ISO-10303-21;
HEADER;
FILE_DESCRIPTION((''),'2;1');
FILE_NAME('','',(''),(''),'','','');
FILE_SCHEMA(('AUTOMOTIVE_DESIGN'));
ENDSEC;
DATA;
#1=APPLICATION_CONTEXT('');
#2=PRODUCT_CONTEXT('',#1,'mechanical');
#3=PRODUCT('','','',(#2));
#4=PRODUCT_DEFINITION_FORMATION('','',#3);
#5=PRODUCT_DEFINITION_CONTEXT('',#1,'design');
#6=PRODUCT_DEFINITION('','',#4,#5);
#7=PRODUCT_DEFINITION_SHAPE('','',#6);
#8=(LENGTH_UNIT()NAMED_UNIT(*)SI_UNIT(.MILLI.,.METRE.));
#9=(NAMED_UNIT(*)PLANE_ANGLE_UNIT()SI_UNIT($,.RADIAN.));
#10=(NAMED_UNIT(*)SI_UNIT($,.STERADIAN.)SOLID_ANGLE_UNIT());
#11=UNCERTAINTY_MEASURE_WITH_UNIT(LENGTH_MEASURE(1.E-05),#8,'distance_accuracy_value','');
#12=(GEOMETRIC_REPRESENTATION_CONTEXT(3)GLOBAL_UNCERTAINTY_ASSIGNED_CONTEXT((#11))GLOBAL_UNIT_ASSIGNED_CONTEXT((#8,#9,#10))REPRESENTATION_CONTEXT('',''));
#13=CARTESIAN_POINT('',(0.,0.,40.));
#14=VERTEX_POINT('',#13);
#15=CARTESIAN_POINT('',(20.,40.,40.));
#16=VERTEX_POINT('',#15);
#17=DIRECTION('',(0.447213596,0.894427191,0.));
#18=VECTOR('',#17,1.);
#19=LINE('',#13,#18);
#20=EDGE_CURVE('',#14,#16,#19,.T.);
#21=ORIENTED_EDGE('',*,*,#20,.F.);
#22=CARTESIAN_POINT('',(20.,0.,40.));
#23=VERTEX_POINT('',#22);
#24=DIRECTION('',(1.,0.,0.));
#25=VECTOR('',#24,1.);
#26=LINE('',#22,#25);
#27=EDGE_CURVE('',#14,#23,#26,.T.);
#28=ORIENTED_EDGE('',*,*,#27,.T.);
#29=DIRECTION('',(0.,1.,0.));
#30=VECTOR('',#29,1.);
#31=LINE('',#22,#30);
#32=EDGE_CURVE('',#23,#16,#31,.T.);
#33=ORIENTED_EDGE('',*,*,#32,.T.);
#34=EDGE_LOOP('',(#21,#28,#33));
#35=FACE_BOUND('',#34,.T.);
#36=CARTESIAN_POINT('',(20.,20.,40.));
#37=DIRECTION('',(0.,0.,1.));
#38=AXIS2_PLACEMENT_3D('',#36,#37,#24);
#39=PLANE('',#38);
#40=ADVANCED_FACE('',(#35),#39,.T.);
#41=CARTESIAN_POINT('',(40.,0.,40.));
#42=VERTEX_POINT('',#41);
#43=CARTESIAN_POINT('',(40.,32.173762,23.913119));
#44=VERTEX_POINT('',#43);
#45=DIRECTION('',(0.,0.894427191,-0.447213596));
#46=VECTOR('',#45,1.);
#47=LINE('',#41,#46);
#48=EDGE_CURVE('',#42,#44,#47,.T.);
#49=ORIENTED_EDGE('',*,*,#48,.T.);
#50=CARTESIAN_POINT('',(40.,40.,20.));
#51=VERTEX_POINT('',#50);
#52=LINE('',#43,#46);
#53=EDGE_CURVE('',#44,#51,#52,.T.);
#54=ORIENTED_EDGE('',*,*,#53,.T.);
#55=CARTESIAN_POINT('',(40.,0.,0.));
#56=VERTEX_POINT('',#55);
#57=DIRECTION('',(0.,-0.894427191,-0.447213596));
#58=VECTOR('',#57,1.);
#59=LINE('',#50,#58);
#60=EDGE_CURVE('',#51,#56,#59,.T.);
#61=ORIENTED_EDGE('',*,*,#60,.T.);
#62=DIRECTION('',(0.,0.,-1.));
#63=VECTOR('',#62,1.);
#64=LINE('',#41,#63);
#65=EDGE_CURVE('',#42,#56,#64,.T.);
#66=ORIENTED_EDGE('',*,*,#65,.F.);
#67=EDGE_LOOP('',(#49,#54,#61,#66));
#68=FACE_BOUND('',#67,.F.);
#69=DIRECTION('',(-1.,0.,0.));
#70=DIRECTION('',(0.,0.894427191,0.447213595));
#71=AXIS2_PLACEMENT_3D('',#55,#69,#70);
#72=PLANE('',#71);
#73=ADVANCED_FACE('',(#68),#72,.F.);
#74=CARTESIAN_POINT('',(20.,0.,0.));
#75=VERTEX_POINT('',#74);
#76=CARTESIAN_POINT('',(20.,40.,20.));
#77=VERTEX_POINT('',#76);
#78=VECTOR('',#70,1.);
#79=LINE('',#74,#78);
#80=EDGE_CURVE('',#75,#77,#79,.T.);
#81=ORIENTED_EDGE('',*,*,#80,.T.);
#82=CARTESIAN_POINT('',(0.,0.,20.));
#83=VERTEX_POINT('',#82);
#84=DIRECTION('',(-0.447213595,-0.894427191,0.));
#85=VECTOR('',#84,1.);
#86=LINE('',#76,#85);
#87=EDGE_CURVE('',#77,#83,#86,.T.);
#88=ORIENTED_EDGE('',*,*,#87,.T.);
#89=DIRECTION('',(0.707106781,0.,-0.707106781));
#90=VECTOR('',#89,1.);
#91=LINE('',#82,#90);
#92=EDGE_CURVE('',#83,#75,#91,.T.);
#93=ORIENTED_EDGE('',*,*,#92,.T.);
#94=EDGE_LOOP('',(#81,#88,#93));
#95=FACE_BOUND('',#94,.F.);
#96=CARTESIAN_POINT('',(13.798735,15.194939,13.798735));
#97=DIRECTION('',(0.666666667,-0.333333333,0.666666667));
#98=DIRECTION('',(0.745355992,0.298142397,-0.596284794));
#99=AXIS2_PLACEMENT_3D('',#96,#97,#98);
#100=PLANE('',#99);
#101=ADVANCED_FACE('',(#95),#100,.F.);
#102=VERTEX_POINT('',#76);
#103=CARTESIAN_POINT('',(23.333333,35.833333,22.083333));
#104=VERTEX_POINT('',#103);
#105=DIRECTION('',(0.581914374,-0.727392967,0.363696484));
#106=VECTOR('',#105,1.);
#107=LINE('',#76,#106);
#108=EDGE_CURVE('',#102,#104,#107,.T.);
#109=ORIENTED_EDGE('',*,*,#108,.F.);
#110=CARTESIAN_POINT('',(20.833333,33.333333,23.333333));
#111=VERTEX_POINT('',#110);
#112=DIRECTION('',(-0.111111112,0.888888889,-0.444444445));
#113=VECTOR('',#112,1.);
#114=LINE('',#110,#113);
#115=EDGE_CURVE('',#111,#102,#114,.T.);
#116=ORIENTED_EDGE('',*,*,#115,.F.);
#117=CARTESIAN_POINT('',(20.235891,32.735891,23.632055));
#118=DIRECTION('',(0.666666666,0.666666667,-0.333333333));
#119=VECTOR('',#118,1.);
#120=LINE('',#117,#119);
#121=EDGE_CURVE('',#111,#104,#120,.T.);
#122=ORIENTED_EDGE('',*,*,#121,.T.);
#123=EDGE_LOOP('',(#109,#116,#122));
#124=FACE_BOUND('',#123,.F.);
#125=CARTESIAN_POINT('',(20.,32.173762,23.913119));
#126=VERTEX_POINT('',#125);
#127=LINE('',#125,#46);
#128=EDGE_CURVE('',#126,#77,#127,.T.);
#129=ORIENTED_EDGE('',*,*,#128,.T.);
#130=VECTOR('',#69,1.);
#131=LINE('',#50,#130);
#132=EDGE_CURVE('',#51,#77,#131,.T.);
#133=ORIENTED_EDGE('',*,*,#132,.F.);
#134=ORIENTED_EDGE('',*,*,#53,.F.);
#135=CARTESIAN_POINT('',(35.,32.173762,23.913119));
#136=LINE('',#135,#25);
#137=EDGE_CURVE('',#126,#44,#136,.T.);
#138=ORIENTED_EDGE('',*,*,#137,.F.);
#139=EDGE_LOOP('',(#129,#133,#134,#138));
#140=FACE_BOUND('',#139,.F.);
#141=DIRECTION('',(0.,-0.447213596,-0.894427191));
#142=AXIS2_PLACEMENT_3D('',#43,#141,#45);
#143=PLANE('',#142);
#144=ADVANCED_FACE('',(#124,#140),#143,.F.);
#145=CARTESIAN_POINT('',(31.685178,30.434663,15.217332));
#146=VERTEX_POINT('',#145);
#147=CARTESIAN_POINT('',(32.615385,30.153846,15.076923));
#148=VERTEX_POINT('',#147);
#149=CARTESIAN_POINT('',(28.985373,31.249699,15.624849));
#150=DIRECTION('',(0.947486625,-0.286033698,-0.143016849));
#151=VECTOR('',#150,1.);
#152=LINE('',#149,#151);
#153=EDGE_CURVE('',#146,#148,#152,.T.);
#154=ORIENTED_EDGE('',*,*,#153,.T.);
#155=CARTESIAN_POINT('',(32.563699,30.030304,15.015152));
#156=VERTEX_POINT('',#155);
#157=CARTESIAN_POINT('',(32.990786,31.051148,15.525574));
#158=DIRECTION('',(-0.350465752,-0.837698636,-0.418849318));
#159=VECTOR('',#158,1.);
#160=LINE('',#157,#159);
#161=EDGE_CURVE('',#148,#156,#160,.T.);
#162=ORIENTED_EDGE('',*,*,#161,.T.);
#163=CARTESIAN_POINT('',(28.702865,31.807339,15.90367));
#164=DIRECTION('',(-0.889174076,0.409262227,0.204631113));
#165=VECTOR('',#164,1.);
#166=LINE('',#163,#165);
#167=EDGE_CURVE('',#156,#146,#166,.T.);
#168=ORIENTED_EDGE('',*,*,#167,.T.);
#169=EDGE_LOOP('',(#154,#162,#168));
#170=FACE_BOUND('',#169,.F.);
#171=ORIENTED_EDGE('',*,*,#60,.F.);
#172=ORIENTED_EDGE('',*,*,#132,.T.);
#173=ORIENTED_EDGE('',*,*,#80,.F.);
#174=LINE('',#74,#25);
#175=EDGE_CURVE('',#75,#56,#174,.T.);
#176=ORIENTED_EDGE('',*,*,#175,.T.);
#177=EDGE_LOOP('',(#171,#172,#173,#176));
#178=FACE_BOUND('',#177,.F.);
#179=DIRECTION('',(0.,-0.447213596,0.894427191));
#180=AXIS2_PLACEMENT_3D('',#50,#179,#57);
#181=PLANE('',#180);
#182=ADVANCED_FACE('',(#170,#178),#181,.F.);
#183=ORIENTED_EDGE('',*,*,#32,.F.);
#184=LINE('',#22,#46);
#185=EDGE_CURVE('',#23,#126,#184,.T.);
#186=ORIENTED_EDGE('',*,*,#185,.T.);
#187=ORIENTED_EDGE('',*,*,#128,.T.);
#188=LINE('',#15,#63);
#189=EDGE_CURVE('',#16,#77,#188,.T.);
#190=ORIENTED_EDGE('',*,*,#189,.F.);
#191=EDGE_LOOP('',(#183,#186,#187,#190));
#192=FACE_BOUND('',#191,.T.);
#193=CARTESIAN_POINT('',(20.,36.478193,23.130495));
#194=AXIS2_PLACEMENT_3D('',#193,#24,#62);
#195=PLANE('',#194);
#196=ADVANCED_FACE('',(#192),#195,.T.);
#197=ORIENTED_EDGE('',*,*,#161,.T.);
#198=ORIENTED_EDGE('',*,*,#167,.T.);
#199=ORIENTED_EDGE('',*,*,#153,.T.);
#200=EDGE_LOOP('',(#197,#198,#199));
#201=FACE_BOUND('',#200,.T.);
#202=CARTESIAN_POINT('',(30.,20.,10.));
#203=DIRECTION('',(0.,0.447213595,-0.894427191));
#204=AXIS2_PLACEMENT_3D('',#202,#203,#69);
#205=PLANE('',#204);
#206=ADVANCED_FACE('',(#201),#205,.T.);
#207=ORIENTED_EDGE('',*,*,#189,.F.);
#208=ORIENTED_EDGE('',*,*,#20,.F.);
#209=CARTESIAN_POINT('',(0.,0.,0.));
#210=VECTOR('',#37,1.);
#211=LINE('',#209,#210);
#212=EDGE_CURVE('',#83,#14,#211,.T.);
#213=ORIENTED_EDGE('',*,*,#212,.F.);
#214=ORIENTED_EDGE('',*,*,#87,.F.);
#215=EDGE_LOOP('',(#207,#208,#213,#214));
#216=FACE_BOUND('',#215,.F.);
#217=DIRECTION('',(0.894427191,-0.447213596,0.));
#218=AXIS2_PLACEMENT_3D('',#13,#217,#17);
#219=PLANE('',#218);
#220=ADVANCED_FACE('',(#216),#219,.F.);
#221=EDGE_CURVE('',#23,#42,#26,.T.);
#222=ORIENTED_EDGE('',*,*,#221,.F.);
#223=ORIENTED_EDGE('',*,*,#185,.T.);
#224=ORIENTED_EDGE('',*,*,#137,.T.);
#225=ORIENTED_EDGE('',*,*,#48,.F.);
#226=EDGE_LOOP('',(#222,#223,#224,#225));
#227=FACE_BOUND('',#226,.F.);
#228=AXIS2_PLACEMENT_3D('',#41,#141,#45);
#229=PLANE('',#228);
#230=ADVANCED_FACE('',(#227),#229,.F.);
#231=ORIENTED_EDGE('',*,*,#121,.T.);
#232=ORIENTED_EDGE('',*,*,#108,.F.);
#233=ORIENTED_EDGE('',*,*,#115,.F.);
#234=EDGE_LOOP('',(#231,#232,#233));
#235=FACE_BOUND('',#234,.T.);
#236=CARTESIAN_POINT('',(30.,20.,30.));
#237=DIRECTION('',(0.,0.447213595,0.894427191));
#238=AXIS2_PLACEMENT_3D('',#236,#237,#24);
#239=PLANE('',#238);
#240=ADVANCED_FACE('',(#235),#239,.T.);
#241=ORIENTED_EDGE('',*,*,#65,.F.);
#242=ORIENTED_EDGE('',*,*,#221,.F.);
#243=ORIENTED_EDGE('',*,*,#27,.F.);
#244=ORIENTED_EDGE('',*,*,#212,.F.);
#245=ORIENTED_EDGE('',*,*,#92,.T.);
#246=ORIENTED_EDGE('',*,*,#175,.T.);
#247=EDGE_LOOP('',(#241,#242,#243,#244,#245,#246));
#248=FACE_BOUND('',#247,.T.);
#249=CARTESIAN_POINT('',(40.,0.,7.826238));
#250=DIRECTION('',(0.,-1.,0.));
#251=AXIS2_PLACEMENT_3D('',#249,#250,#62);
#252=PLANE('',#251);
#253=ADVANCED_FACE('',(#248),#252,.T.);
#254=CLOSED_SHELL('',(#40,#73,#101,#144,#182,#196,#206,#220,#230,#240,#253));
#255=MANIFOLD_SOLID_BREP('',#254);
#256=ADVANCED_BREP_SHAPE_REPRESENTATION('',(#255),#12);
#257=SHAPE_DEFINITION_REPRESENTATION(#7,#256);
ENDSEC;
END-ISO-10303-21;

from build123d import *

# Parameters (mm, degrees)
SKETCH1_W           = 40
SKETCH1_H           = 40
BOSS_EXTRUDE1_DEPTH = 40
CUT_EXTRUDE1_DEPTH  = 40
CUT_EXTRUDE2_DEPTH  = 40
CUT_EXTRUDE5_DEPTH  = 20
CUT_EXTRUDE6_DEPTH  = 20
CUT_EXTRUDE7_DEPTH  = 20
CUT_EXTRUDE8_DEPTH  = 20
CUT_EXTRUDE9_DEPTH  = 20
CUT_EXTRUDE10_DEPTH = 20
CUT_EXTRUDE11_DEPTH = 20
CUT_EXTRUDE12_DEPTH = 20
CUT_EXTRUDE17_DEPTH = 20
CUT_EXTRUDE18_DEPTH = 7
SKETCH20_W          = 20
SKETCH20_H          = 44.72135955
BOSS_EXTRUDE6_DEPTH = 7
CUT_EXTRUDE20_DEPTH = 20
BOSS_EXTRUDE7_DEPTH = 2
SKETCH23_W          = 20
SKETCH23_H          = 44.72135955
CUT_EXTRUDE21_DEPTH = 2
SKETCH24_W          = 40
SKETCH24_H          = 40
CUT_EXTRUDE22_DEPTH = 20
BOSS_EXTRUDE8_DEPTH = 5
SKETCH26_W          = 20
SKETCH26_H          = 44.72135955
CUT_EXTRUDE23_DEPTH = 5
SKETCH27_W          = 40
SKETCH27_H          = 40
CUT_EXTRUDE24_DEPTH = 5


with BuildPart() as part:
    # Sketch1 → Boss-Extrude1 (new body)
    with BuildSketch(Plane.XY):
        with Locations((20, 20)):
            Rectangle(SKETCH1_W, SKETCH1_H)
    extrude(amount=BOSS_EXTRUDE1_DEPTH)

    # Sketch2 → Cut-Extrude1 (cut)
    with BuildSketch(Plane.XY.offset(40)):
        Polygon((0, 0), (20, 40), (0, 40), align=None)
    extrude(amount=-CUT_EXTRUDE1_DEPTH, mode=Mode.SUBTRACT)

    # Sketch3 → Cut-Extrude2 (cut)
    with BuildSketch(Plane.XZ):
        Polygon((0, 20), (20, 0), (0, 0), align=None)
    extrude(amount=-CUT_EXTRUDE2_DEPTH, mode=Mode.SUBTRACT)

    # Sketch5 → Cut-Extrude5 (cut)
    with BuildSketch(Plane(origin=(40, 0, 0), x_dir=(0, 0, -1), z_dir=(1, 0, 0))):
        Polygon((-40, 40), (-40, 0), (-20, 40), align=None)
        Polygon((0, 40), (-20, 40), (0, 0), align=None)
    extrude(amount=-CUT_EXTRUDE5_DEPTH, mode=Mode.SUBTRACT)

    # Sketch6 → Cut-Extrude6 (cut)
    with BuildSketch(Plane(origin=(8.888888889, -4.444444444, 8.888888889), x_dir=(-0.745355992, -0.298142397, 0.596284794), z_dir=(-0.666666667, 0.333333333, -0.666666667))):
        Polygon((11.92569588, 8.94427191), (-14.90711985, 0), (-14.90711985, 44.72135955), align=None)
    extrude(amount=CUT_EXTRUDE6_DEPTH, mode=Mode.SUBTRACT)

    # Sketch7 → Cut-Extrude7 (cut)
    with BuildSketch(Plane(origin=(11.111111111, 4.444444444, -8.888888889), x_dir=(0.553636532, 0.221454613, 0.802772972), z_dir=(-0.745355992, -0.298142397, 0.596284794))):
        Polygon((11.072730647, -7.427813527), (35.986374603, 29.711254108), (18.738467249, 20.569329767), align=None)
    extrude(amount=-CUT_EXTRUDE7_DEPTH, mode=Mode.SUBTRACT)

    # Sketch8 → Cut-Extrude8 (cut)
    with BuildSketch(Plane(origin=(-5.521048999, 6.735679779, -3.53347136), x_dir=(0.809280197, 0.520190643, -0.272886895), z_dir=(0.587422814, -0.716655833, 0.375950601))):
        Polygon((31.535491772, 36.292919071), (23.931393494, 18.313965316), (31.535491772, 15.097854334), align=None)
    extrude(amount=-CUT_EXTRUDE8_DEPTH, mode=Mode.SUBTRACT)

    # Sketch9 → Cut-Extrude9 (cut)
    with BuildSketch(Plane(origin=(20, 0, 0), x_dir=(0, 0, -1), z_dir=(1, 0, 0))):
        Polygon((-20, 40), (0, 40), (0, 0), (-1.230769231, 30.153846154), align=None)
    extrude(amount=-CUT_EXTRUDE9_DEPTH, mode=Mode.SUBTRACT)

    # Sketch10 → Cut-Extrude10 (cut)
    with BuildSketch(Plane(origin=(7.990012484, -0.399500624, 9.787765293), x_dir=(0.774918948, 0.02577693, -0.631534777), z_dir=(0.632060618, -0.031603031, 0.774274256))):
        Polygon((15.498378958, 30.178953441), (7.557101782, 27.920237591), (15.498378958, 0), align=None)
    extrude(amount=-CUT_EXTRUDE10_DEPTH, mode=Mode.SUBTRACT)

    # Sketch11 → Cut-Extrude11 (cut)
    with BuildSketch(Plane(origin=(8.256091734, 16.512183469, 18.576206402), x_dir=(0.9490106, -0.209436822, -0.235616425), z_dir=(0.315244162, 0.630488325, 0.709299366))):
        Polygon((10.513930203, 21.573833283), (12.374896836, 21.719587039), (5.890410618, 16.609095971), align=None)
    extrude(amount=-CUT_EXTRUDE11_DEPTH, mode=Mode.SUBTRACT)

    # Sketch12 → Cut-Extrude12 (cut)
    with BuildSketch(Plane(origin=(10, 0, 10), x_dir=(-0.707106781, 0, 0.707106781), z_dir=(-0.707106781, 0, -0.707106781))):
        Polygon((-12.408696288, 30.030304373), (-12.401565085, 30.153846154), (-11.644525493, 30.434663376), align=None)
    extrude(amount=-CUT_EXTRUDE12_DEPTH, mode=Mode.SUBTRACT)

    # Sketch15 → Cut-Extrude17 (cut)
    with BuildSketch(Plane(origin=(0, 23.140147524, -12.139093783), x_dir=(1, 0, 0), z_dir=(0, 0.885547225, -0.464549364))):
        Polygon((18.23392294, -15.702348159), (20, -15.097854334), (18.769230769, -15.097854334), align=None)
    extrude(amount=-CUT_EXTRUDE17_DEPTH, mode=Mode.SUBTRACT)

    # Sketch16 → Cut-Extrude18 (cut)
    with BuildSketch(Plane(origin=(0, 0, 0), x_dir=(-1, 0, 0), z_dir=(0, 0.04078237, -0.999168053))):
        Polygon((-18.774273291, 30.055308794), (-18.769230769, 30.178953441), (-20, 30.178953441), align=None)
    extrude(amount=-CUT_EXTRUDE18_DEPTH, mode=Mode.SUBTRACT)

    # Sketch20 → Boss-Extrude6 (add)
    with BuildSketch(Plane(origin=(0, 0, 0), x_dir=(-1, 0, 0), z_dir=(0, 0.447213595, -0.894427191))):
        with Locations((-30, 22.360679775)):
            Rectangle(SKETCH20_W, SKETCH20_H)
    extrude(amount=-BOSS_EXTRUDE6_DEPTH)

    # Sketch21 → Cut-Extrude20 (cut)
    with BuildSketch(Plane(origin=(40, 0, 0), x_dir=(0, 0, -1), z_dir=(1, 0, 0))):
        Polygon((-7.826237921, 0), (0, 0), (-6.260990337, -3.130495168), align=None)
        Polygon((-23.913118961, 32.173762079), (-20, 40), (-26.260990337, 36.869504832), align=None)
    extrude(amount=-CUT_EXTRUDE20_DEPTH, mode=Mode.SUBTRACT)

    # Sketch22 → Boss-Extrude7 (add)
    with BuildSketch(Plane(origin=(8.888888889, -4.444444444, 8.888888889), x_dir=(-0.596284794, 0.298142397, 0.745355992), z_dir=(-0.666666667, 0.333333333, -0.666666667))):
        Polygon((14.90711985, 44.72135955), (-11.92569588, 8.94427191), (14.90711985, 0), align=None)
    extrude(amount=-BOSS_EXTRUDE7_DEPTH)

    # Sketch23 → Cut-Extrude21 (cut)
    with BuildSketch(Plane(origin=(0, 16, 32), x_dir=(1, 0, 0), z_dir=(0, 0.447213595, 0.894427191))):
        with Locations((30, 4.472135955)):
            Rectangle(SKETCH23_W, SKETCH23_H)
    extrude(amount=CUT_EXTRUDE21_DEPTH, mode=Mode.SUBTRACT)

    # Sketch24 → Cut-Extrude22 (cut)
    with BuildSketch(Plane.XZ):
        with Locations((20, 20)):
            Rectangle(SKETCH24_W, SKETCH24_H)
    extrude(amount=CUT_EXTRUDE22_DEPTH, mode=Mode.SUBTRACT)

    # Sketch25 → Boss-Extrude8 (add)
    with BuildSketch(Plane(origin=(8.888888889, -4.444444444, 8.888888889), x_dir=(-0.596284794, 0.298142397, 0.745355992), z_dir=(-0.666666667, 0.333333333, -0.666666667))):
        Polygon((14.90711985, 0), (14.90711985, 44.72135955), (-11.92569588, 8.94427191), align=None)
    extrude(amount=-BOSS_EXTRUDE8_DEPTH)

    # Sketch26 → Cut-Extrude23 (cut)
    with BuildSketch(Plane(origin=(0, 16, 32), x_dir=(1, 0, 0), z_dir=(0, 0.447213595, 0.894427191))):
        with Locations((30, 4.472135955)):
            Rectangle(SKETCH26_W, SKETCH26_H)
    extrude(amount=CUT_EXTRUDE23_DEPTH, mode=Mode.SUBTRACT)

    # Sketch27 → Cut-Extrude24 (cut)
    with BuildSketch(Plane.XZ):
        with Locations((20, 20)):
            Rectangle(SKETCH27_W, SKETCH27_H)
    extrude(amount=CUT_EXTRUDE24_DEPTH, mode=Mode.SUBTRACT)


solid = part.part
